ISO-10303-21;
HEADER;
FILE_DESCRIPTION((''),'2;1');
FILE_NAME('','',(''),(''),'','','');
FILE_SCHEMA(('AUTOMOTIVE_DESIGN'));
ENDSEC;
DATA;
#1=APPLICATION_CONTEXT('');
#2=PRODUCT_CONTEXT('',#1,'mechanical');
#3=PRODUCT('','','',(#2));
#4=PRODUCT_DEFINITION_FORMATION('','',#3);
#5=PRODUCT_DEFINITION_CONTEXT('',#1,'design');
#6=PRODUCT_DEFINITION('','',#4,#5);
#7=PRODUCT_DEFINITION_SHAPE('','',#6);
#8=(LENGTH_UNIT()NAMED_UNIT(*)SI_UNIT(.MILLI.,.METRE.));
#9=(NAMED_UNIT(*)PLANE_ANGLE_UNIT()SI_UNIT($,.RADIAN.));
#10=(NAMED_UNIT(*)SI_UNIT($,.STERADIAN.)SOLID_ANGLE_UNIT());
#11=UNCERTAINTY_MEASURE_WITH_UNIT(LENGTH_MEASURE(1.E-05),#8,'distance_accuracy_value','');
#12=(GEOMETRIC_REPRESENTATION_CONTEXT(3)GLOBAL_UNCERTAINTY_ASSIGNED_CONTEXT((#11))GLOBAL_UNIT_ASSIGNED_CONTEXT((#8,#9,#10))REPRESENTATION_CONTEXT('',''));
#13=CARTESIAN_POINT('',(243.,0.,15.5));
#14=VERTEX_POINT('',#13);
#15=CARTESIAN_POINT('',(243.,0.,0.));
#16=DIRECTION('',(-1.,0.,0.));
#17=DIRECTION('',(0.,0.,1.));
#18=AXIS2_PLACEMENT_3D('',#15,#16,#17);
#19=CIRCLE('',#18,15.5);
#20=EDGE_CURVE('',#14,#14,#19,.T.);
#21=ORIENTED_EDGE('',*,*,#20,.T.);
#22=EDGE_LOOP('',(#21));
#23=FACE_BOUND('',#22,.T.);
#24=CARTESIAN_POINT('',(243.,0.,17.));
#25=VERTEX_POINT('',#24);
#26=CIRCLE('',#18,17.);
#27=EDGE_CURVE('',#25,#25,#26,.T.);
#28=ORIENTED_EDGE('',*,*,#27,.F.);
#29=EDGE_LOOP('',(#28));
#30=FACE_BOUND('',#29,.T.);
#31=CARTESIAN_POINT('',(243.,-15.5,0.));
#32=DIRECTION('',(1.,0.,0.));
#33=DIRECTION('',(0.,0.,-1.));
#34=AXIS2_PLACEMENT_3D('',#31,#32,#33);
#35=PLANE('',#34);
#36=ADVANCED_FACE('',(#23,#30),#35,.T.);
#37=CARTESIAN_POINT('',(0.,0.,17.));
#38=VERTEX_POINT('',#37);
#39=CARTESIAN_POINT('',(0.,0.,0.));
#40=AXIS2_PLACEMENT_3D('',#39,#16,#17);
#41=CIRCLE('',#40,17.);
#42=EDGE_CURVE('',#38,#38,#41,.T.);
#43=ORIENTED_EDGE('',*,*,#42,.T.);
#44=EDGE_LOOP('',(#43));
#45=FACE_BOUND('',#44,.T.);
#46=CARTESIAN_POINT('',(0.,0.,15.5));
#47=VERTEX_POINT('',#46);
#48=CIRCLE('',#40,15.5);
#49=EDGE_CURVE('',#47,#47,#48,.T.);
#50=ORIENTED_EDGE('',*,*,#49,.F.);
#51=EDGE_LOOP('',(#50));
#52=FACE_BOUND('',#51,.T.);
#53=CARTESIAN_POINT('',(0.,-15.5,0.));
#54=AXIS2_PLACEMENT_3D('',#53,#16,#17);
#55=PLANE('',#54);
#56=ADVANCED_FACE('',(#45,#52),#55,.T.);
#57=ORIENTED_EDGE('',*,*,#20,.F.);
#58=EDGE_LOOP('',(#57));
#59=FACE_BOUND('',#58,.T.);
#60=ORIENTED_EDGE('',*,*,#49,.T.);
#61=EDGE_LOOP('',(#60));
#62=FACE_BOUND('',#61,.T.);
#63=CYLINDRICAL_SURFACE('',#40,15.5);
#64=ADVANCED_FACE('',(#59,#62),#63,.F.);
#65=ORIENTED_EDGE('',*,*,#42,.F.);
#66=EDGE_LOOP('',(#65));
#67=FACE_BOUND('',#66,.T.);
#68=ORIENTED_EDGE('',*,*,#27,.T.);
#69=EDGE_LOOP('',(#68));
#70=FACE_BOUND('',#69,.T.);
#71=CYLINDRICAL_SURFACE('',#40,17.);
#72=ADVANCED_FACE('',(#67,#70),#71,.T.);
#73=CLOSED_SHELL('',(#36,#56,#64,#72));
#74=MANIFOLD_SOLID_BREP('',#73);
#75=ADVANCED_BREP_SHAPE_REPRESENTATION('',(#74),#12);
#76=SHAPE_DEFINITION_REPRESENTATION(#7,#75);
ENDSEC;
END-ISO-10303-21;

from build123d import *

# Parameters (mm, degrees)
SKETCH1_W = 243
SKETCH1_H = 1.5


with BuildPart() as part:
    # Sketch1 → Revolve1 (revolve)
    with BuildSketch(Plane.XY, mode=Mode.PRIVATE) as revolve1_sk:
        with Locations((121.5, -16.25)):
            Rectangle(SKETCH1_W, SKETCH1_H)
    revolve(revolve1_sk.sketch.rotate(Axis((0, 0, 0), (1, 0, 0)), 270), axis=Axis((0, 0, 0), (1, 0, 0)))


solid = part.part
